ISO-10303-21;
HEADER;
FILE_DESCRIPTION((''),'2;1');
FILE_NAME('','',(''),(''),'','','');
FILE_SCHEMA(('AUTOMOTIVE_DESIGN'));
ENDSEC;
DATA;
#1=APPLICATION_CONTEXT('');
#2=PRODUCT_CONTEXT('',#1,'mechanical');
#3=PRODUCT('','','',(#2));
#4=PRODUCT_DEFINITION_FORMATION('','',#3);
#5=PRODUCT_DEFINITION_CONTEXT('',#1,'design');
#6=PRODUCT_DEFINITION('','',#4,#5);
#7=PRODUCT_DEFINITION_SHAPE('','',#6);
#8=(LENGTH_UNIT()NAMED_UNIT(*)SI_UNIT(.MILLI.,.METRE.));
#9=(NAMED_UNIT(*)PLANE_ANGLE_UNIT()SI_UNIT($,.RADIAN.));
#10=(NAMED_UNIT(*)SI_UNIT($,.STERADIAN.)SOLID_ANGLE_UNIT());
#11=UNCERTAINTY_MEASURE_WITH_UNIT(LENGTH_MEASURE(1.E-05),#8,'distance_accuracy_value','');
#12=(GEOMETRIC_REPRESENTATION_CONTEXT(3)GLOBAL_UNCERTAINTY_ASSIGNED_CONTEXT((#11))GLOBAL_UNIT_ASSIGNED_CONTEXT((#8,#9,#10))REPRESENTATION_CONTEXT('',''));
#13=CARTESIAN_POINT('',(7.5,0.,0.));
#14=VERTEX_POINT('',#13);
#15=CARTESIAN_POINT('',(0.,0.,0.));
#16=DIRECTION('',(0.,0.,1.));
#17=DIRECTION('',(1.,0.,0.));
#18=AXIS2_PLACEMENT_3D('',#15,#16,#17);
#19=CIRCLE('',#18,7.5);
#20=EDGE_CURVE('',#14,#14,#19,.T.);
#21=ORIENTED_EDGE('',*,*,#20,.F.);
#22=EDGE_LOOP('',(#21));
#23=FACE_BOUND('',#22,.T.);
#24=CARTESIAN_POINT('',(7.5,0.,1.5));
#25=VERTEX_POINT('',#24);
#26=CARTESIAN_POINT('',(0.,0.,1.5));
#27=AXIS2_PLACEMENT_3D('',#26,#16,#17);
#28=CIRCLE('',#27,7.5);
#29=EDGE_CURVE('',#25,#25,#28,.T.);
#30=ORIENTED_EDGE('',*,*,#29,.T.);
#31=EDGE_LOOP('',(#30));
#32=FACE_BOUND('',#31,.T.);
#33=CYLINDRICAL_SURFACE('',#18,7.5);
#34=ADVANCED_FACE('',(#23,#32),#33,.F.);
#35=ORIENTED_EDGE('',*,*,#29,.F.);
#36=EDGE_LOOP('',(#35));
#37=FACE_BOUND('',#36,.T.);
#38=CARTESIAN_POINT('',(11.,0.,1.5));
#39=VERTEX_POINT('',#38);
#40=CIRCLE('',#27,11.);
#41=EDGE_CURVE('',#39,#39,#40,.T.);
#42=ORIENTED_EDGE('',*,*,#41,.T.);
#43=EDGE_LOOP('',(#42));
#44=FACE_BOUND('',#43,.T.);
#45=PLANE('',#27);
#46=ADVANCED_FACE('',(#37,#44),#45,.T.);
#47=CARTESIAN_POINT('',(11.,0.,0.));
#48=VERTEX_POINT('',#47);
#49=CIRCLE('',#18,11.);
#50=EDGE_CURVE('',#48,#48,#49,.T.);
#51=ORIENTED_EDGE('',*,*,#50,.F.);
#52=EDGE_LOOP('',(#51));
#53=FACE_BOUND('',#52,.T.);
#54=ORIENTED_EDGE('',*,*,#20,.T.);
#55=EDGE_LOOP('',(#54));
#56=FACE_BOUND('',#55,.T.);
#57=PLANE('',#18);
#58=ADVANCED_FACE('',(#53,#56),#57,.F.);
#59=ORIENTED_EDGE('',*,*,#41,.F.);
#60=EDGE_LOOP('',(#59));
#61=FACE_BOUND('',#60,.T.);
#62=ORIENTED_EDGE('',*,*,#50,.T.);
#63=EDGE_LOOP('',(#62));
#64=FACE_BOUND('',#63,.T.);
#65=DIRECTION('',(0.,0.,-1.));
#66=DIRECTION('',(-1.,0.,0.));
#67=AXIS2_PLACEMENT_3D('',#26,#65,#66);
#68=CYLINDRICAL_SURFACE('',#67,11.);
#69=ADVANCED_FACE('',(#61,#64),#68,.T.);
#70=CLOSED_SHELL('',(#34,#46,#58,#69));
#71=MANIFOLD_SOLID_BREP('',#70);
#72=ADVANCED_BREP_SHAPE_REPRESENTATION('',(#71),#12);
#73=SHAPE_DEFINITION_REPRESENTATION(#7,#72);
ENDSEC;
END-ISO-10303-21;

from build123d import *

# Parameters (mm, degrees)
SKETCH_1_R          = 11
EXTRUDE_1_DEPTH     = 1.5
SKETCH_2_R          = 7.5
CUT_EXTRUDE_1_DEPTH = 1.5


with BuildPart() as part:
    # Эскиз1 → Вытянуть1 (new body)
    with BuildSketch(Plane.XY):
        Circle(SKETCH_1_R)
    extrude(amount=EXTRUDE_1_DEPTH)

    # Эскиз2 → Вырез-Вытянуть1 (cut)
    with BuildSketch(Plane.XY.offset(1.5)):
        Circle(SKETCH_2_R)
    extrude(amount=-CUT_EXTRUDE_1_DEPTH, mode=Mode.SUBTRACT)


solid = part.part
